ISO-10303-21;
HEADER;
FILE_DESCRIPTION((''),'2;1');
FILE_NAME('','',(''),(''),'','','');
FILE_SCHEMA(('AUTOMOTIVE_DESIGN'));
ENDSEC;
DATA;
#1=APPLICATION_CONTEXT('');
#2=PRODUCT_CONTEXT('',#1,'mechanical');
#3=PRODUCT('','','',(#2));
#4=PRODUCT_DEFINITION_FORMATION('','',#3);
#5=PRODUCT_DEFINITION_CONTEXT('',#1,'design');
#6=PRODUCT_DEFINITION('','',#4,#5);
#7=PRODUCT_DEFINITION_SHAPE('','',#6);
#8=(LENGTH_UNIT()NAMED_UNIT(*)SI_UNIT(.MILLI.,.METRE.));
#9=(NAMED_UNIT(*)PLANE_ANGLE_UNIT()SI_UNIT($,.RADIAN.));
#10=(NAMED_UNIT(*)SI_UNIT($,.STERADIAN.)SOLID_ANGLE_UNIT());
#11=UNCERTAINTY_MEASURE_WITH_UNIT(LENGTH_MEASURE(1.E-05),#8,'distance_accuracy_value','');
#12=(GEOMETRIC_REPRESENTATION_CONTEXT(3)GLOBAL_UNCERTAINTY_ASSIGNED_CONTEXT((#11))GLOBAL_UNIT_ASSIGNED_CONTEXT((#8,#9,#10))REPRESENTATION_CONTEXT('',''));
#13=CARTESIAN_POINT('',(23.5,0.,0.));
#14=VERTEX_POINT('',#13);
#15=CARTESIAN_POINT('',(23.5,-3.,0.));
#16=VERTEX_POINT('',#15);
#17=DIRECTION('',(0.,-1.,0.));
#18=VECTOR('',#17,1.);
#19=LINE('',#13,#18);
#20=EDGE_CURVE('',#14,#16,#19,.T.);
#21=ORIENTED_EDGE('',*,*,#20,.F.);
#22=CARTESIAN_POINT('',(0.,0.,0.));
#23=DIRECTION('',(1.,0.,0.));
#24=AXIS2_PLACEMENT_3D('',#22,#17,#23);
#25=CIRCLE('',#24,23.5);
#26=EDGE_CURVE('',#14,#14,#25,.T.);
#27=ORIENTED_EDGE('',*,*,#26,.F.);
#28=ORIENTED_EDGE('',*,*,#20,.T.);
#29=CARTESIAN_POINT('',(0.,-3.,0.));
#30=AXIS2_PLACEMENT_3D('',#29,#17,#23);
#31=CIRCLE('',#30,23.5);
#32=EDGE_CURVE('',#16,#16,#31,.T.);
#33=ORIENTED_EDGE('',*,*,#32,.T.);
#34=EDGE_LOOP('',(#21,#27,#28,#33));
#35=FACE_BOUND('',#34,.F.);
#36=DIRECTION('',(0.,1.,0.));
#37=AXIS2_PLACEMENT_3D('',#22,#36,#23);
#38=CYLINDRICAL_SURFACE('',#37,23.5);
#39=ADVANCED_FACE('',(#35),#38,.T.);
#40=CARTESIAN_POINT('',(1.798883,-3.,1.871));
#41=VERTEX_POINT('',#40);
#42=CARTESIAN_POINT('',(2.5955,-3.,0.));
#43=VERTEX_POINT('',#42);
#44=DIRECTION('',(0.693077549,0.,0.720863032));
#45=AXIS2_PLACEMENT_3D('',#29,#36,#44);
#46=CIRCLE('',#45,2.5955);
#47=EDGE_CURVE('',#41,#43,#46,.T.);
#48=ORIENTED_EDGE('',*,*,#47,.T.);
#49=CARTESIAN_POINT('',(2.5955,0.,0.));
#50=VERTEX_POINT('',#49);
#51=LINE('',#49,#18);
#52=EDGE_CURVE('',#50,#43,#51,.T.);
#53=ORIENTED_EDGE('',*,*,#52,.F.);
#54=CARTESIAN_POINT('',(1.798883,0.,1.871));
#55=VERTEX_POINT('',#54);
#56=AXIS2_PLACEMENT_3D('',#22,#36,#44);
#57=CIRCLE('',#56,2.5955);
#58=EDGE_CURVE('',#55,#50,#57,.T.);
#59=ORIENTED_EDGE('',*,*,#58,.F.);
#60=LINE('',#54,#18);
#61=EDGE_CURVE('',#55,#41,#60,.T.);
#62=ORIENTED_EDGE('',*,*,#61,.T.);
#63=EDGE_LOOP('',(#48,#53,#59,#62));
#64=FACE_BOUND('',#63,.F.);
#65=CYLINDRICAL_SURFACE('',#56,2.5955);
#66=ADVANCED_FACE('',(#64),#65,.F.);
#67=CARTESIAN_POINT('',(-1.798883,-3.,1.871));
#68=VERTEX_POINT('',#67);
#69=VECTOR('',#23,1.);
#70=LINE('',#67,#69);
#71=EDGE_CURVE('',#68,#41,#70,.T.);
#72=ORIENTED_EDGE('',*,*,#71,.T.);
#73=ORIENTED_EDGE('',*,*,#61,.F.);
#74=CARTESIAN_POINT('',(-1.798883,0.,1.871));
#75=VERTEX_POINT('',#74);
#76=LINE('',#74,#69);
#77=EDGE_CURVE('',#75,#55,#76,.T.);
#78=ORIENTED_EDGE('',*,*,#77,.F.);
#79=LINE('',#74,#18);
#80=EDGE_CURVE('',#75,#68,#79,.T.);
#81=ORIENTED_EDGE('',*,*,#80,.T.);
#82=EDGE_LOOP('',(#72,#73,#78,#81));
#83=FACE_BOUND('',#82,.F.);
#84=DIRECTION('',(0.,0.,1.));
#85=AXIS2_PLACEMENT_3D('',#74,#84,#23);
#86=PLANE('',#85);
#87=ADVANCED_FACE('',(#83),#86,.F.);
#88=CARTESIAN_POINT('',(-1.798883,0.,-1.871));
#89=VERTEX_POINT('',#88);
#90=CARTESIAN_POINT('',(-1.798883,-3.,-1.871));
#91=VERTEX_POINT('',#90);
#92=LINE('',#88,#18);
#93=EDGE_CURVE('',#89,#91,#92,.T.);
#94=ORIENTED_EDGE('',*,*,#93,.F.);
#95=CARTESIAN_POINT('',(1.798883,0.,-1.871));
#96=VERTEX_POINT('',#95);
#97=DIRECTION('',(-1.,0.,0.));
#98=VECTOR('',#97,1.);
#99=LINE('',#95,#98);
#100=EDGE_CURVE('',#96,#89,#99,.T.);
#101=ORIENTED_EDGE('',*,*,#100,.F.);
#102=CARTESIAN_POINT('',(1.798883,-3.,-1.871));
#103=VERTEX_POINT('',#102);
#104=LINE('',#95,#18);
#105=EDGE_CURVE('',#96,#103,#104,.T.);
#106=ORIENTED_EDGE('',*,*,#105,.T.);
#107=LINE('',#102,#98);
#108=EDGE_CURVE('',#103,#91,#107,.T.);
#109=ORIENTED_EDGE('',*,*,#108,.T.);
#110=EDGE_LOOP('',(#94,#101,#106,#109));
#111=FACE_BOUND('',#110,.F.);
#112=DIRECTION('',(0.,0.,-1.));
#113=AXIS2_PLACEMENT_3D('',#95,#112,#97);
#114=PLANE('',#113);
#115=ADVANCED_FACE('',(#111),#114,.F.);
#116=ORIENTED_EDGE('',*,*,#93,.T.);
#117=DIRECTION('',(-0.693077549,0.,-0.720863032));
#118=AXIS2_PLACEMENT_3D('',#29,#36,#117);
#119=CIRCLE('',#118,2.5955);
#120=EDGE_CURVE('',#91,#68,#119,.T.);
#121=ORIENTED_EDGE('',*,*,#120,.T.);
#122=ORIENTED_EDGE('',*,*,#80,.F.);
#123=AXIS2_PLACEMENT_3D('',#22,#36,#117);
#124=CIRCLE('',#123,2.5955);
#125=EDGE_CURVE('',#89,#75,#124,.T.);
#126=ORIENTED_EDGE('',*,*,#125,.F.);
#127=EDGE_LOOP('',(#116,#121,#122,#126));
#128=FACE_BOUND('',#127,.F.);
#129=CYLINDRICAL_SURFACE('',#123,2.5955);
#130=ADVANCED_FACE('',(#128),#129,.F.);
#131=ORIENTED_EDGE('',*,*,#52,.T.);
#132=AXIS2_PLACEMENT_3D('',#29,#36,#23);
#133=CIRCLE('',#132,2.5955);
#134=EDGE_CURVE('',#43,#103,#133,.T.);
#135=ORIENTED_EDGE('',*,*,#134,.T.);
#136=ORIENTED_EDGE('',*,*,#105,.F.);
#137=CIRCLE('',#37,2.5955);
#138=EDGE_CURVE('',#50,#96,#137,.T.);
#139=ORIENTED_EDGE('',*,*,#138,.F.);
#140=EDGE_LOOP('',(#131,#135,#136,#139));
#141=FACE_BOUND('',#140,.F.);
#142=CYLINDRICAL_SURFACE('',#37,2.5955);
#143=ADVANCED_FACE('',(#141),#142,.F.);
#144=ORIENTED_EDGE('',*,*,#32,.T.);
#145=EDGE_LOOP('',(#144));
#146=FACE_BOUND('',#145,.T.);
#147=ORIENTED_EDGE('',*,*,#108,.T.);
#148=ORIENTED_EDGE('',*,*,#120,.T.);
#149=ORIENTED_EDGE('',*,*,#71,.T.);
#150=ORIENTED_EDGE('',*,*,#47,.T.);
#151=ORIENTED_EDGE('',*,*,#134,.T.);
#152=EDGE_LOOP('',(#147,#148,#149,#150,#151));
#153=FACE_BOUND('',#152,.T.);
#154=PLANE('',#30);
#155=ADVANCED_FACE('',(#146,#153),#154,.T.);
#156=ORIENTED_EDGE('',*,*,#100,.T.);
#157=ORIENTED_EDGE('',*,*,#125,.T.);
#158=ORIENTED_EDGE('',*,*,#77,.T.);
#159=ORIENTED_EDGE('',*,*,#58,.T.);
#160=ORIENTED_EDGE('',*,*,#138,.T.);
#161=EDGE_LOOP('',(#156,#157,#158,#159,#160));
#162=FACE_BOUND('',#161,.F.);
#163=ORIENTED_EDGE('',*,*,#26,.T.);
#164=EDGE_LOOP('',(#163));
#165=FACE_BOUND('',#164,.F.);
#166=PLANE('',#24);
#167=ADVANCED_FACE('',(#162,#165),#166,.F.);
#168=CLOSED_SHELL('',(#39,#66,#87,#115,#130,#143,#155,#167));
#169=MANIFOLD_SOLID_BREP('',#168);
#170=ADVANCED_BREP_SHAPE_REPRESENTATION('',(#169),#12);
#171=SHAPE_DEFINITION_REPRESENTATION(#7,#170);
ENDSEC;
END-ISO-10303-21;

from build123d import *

# Parameters (mm, degrees)
F0_R     = 23.5
F1_DEPTH = 3


with BuildPart() as f1:
    # F0 (on Front) → F1 (new body)
    with BuildSketch(Plane.XZ):
        Circle(F0_R)
        with BuildLine():
            ThreePointArc((1.7988827783, 1.871), (2.3880557469, 1.0167644759), (2.5955, 0))
            ThreePointArc((2.5955, 0), (2.3880557469, -1.0167644759), (1.7988827783, -1.871))
            ThreePointArc((1.7988827783, -1.871), (0, -2.5955), (-1.7988827783, -1.871))
            ThreePointArc((-1.7988827783, -1.871), (-2.5955, 0), (-1.7988827783, 1.871))
            ThreePointArc((-1.7988827783, 1.871), (0, 2.5955), (1.7988827783, 1.871))
        make_face(mode=Mode.SUBTRACT)
        with BuildLine():
            Line((-1.7988827783, 1.871), (1.7988827783, 1.871))
            ThreePointArc((1.7988827783, 1.871), (0, 2.5955), (-1.7988827783, 1.871))
        make_face()
        with BuildLine():
            ThreePointArc((-1.7988827783, -1.871), (0, -2.5955), (1.7988827783, -1.871))
            Line((1.7988827783, -1.871), (-1.7988827783, -1.871))
        make_face()
    extrude(amount=F1_DEPTH)


solid = f1.part
